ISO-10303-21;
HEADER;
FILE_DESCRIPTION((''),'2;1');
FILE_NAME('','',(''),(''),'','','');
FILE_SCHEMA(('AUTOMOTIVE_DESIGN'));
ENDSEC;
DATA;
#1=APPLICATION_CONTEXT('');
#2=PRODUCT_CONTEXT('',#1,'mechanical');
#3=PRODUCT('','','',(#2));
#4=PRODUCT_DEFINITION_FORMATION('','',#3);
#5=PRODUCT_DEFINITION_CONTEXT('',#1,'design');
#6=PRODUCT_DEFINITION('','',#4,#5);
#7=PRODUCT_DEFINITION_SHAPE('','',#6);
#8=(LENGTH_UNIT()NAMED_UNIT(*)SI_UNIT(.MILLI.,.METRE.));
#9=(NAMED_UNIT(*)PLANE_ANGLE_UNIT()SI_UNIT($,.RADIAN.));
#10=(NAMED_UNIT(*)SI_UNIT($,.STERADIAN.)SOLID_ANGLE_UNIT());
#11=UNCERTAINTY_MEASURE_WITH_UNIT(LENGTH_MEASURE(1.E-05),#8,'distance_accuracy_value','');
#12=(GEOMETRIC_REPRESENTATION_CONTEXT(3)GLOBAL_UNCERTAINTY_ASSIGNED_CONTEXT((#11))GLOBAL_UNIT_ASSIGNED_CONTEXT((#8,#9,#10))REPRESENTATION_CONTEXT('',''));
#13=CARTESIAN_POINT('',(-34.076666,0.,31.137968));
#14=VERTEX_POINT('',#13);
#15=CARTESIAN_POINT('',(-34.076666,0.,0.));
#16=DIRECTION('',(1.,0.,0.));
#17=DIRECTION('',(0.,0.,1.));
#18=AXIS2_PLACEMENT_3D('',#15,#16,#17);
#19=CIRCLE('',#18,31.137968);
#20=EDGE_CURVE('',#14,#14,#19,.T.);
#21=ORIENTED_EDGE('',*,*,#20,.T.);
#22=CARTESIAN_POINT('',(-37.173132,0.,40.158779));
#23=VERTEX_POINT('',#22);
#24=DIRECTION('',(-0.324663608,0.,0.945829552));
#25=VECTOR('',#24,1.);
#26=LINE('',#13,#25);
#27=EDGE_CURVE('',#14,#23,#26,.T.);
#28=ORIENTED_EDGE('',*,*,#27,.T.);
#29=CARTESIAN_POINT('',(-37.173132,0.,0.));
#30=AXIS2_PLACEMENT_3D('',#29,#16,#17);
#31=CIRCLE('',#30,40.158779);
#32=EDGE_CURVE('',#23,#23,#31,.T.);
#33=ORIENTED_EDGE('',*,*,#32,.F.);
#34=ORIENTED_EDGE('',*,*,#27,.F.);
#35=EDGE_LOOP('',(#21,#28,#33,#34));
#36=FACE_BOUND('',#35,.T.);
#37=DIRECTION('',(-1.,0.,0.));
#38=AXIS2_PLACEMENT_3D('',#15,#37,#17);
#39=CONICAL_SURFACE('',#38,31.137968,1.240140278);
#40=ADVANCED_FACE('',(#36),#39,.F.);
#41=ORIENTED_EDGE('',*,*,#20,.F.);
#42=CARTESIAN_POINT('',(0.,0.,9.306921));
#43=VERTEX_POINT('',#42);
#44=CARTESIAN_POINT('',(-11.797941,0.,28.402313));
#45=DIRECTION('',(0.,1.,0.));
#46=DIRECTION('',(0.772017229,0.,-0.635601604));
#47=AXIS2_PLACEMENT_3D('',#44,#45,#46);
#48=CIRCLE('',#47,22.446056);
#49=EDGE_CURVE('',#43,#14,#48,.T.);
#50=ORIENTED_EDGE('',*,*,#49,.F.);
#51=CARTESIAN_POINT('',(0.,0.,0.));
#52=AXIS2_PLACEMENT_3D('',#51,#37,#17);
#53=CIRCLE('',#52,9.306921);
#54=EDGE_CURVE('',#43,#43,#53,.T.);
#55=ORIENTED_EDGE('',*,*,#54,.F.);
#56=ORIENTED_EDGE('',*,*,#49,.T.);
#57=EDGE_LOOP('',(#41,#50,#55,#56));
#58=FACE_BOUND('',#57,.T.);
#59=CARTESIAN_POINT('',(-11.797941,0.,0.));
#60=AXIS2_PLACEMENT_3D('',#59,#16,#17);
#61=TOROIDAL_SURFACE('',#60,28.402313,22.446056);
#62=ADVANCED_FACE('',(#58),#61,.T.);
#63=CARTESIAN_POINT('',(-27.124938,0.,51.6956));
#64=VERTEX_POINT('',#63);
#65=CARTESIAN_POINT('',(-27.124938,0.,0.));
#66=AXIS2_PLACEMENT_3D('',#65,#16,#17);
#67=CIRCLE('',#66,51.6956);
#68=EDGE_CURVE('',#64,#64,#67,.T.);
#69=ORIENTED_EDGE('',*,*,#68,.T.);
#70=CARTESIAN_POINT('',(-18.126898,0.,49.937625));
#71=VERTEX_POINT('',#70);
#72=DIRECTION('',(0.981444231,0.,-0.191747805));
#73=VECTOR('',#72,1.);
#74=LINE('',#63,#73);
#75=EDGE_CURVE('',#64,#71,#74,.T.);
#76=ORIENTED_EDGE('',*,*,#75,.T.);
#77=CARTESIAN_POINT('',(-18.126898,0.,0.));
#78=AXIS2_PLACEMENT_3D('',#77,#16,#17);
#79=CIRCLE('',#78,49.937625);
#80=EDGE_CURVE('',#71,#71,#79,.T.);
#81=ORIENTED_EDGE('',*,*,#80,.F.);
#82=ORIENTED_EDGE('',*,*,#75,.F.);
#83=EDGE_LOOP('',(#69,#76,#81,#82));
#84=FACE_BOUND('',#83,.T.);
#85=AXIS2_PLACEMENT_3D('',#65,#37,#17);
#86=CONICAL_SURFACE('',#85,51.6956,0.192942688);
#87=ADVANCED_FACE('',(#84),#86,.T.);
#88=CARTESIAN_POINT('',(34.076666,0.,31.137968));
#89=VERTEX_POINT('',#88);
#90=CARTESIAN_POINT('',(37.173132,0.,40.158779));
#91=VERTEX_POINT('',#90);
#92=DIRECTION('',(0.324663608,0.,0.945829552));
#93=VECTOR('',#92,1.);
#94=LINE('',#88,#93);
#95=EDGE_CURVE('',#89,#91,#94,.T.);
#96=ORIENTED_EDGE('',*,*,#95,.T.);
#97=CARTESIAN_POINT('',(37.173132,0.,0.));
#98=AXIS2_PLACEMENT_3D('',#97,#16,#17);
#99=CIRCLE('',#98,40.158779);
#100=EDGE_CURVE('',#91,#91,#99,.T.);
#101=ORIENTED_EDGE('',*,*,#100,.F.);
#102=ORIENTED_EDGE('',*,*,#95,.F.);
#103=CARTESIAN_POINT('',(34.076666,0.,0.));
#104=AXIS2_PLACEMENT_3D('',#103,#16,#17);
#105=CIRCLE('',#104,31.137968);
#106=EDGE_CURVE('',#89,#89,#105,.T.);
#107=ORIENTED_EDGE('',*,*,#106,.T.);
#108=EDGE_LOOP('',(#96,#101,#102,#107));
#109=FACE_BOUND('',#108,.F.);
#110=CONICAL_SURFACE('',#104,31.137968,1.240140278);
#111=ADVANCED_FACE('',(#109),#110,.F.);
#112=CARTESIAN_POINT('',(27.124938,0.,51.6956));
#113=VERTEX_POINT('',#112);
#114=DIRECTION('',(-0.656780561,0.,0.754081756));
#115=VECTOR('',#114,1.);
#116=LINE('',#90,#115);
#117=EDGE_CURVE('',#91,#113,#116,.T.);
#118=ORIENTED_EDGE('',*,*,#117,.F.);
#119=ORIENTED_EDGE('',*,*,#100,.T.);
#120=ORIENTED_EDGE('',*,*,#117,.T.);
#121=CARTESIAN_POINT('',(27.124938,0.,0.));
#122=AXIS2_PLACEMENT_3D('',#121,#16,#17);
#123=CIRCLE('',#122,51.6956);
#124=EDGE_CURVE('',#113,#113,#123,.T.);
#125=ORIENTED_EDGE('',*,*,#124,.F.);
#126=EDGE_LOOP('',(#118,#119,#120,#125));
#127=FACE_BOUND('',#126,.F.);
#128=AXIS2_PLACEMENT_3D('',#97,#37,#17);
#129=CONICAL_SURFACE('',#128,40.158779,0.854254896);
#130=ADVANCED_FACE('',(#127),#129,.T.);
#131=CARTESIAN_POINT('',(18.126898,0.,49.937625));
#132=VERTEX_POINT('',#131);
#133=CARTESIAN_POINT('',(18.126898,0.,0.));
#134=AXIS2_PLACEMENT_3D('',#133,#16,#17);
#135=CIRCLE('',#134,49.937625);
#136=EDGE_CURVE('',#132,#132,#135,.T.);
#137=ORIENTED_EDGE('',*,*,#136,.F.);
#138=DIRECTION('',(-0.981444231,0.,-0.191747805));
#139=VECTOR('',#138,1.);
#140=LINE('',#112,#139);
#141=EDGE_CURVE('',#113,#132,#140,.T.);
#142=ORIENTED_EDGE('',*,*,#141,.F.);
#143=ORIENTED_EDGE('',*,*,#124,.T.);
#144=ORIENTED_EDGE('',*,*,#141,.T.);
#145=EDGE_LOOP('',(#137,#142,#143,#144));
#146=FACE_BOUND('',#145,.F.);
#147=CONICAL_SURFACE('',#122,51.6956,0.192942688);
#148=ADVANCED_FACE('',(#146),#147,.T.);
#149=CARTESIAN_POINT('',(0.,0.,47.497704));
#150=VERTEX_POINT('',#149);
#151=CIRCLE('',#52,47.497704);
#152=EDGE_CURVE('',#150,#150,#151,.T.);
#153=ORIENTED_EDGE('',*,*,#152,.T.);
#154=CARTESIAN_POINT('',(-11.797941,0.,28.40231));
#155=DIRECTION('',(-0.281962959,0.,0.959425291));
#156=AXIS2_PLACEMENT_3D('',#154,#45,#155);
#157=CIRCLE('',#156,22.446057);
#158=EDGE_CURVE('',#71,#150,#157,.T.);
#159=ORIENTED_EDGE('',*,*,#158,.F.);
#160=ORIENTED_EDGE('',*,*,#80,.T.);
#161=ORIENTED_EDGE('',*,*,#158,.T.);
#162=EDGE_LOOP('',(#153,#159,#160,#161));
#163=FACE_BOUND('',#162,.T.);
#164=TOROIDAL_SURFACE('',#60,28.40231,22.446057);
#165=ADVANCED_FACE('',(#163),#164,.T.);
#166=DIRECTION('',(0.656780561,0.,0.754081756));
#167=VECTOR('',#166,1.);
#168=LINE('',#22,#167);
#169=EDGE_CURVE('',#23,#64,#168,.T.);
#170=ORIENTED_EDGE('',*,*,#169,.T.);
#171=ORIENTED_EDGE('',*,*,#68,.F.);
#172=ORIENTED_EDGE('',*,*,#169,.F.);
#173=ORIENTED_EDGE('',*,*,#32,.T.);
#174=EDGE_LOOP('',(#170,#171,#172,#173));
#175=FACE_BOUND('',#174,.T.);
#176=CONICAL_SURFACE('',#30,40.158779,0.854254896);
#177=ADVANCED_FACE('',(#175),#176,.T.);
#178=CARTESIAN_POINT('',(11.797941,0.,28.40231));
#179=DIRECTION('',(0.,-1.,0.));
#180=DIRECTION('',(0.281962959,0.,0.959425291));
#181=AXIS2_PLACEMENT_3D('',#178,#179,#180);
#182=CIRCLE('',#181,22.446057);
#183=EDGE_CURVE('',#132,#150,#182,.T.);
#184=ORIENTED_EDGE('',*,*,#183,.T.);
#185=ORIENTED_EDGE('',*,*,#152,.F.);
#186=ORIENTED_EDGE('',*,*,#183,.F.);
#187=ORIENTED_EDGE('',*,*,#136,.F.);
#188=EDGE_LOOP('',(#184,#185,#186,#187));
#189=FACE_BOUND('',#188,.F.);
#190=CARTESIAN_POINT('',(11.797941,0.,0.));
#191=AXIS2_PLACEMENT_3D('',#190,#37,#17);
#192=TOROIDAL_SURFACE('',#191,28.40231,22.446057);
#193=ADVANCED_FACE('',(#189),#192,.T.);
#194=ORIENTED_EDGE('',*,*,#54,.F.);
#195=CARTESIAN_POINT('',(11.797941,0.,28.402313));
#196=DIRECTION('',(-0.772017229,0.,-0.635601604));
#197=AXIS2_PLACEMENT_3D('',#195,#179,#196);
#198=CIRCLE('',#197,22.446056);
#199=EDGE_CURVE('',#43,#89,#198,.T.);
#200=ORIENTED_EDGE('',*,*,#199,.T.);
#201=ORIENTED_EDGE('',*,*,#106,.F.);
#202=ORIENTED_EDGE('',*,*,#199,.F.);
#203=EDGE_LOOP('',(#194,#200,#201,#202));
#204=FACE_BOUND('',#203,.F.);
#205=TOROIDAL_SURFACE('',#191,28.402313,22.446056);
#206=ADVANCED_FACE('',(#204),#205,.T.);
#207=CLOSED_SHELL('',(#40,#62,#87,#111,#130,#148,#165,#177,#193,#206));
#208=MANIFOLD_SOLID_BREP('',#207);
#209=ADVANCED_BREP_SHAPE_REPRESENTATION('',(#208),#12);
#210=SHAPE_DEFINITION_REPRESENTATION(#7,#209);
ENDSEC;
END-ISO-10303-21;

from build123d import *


with BuildPart() as f1:
    # F0 (on Front) → F1 (revolve)
    with BuildSketch(Plane.XZ):
        with BuildLine():
            ThreePointArc((18.126898, 49.937625), (4.163339, 49.510089), (-6.842852, 40.906162))
            ThreePointArc((-6.842852, 40.906162), (-16.148937, 27.032611), (-5.530801, 14.135564))
            ThreePointArc((-5.530801, 14.135564), (20.652093, 7.776373), (34.076666, 31.137968))
            Line((34.076666, 31.137968), (37.173132, 40.158779))
            Line((37.173132, 40.158779), (27.124938, 51.6956))
            Line((27.124938, 51.6956), (18.126898, 49.937625))
        make_face()
    revolve(axis=Axis((-4.073094, 0, 0), (1, 0, 0)))

    # F2: F1 across plane


with BuildPart() as f1_1:
    add(f1.part)
    add(f1.part.mirror(Plane.YZ))


solid = f1_1.part
